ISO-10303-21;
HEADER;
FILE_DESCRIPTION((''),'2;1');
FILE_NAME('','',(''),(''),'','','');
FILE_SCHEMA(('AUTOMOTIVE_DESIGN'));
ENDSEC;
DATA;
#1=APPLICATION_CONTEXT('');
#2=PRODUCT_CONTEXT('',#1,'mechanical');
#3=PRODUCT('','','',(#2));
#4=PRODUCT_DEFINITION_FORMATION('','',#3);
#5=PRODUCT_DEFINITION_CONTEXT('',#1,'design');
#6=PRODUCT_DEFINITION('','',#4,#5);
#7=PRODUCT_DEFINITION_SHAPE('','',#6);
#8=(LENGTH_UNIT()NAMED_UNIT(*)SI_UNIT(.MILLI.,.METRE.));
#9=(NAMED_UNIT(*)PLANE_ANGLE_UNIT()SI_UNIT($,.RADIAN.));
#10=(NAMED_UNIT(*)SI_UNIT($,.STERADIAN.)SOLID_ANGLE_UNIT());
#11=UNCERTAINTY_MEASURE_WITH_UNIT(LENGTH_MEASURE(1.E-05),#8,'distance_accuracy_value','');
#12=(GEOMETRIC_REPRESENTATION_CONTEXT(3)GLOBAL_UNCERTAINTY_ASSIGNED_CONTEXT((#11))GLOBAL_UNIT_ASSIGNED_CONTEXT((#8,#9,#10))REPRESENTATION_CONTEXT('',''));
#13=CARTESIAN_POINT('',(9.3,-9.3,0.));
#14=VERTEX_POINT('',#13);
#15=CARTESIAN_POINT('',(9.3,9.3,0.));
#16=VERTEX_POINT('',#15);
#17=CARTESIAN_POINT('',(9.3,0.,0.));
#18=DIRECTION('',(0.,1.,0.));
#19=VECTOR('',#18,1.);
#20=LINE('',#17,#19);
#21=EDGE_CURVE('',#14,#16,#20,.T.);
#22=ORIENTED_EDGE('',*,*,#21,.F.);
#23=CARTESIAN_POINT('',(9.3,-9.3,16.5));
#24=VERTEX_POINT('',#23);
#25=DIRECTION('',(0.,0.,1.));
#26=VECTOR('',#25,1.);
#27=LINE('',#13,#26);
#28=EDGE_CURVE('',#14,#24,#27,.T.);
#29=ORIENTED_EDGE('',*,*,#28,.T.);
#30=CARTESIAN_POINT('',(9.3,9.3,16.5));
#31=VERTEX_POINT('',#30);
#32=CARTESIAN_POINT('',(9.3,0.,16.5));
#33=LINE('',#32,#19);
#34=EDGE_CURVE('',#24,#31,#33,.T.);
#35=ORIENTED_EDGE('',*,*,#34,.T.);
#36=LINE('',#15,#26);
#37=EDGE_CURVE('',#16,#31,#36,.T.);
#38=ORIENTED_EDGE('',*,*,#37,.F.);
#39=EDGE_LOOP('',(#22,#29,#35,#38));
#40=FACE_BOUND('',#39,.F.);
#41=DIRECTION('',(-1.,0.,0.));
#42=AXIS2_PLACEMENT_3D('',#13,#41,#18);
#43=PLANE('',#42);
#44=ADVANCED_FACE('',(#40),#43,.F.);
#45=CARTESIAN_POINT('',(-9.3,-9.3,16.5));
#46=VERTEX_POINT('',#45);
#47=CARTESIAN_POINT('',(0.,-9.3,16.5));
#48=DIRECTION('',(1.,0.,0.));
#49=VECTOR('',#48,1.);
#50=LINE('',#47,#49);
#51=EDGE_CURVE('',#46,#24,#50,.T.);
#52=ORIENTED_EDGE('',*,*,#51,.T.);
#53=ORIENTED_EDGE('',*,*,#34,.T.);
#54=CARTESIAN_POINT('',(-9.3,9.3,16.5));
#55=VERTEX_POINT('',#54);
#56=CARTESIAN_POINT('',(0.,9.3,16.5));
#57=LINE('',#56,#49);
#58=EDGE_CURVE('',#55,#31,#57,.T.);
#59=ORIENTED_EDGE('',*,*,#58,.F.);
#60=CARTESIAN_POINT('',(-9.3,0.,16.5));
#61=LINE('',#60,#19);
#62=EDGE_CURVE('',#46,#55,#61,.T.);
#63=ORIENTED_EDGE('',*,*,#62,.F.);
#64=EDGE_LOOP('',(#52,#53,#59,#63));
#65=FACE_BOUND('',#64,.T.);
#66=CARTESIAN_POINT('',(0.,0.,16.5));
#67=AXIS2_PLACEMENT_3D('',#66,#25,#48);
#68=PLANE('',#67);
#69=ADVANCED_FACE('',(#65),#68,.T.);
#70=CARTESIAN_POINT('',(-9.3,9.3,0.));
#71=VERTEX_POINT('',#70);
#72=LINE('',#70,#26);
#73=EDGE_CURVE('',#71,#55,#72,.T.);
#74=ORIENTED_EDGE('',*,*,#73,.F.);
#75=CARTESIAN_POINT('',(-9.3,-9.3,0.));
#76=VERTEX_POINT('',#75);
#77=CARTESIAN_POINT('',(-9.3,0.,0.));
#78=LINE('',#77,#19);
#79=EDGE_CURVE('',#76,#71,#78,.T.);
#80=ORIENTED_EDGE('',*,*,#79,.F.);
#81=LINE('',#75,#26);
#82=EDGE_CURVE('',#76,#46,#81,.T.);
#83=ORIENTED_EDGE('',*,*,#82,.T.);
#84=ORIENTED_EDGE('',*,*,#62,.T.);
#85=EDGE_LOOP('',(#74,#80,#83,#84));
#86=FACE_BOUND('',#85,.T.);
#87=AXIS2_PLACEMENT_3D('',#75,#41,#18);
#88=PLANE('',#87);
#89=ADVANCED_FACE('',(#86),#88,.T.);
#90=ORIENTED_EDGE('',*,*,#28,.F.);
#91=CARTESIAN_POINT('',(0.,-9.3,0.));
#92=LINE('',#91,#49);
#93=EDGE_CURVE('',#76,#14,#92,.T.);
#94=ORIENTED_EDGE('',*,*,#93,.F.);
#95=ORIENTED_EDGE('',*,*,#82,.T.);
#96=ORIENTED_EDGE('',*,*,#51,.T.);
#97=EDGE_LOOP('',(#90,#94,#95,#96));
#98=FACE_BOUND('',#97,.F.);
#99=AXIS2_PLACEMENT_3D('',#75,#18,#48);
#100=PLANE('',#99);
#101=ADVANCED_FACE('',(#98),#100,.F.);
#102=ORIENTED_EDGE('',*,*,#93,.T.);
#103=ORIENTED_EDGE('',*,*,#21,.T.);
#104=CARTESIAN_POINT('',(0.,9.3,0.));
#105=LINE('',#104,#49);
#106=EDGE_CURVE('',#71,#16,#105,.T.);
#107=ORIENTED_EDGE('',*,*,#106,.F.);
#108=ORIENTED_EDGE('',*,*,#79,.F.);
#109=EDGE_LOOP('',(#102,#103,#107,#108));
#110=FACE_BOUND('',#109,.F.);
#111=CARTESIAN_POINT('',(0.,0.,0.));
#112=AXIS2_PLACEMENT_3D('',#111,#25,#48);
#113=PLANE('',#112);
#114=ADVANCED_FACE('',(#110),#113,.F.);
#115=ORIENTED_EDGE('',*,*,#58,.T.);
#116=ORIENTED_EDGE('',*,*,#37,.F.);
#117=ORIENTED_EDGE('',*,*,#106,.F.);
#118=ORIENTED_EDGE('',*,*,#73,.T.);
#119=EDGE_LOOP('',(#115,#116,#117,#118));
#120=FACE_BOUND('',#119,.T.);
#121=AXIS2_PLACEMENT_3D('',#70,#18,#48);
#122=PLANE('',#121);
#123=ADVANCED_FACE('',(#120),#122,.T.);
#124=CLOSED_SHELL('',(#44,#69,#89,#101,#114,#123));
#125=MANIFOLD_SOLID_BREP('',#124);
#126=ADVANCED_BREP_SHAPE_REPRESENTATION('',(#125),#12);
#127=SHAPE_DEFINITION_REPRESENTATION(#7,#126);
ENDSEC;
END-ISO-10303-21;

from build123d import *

# Parameters (mm, degrees)
SKETCH_W  = 18.6
SKETCH_H  = 18.6
PAD_DEPTH = 16.5


with BuildPart() as part:
    # Sketch → Pad (new body)
    with BuildSketch(Plane.XY):
        Rectangle(SKETCH_W, SKETCH_H)
    extrude(amount=PAD_DEPTH)


solid = part.part
